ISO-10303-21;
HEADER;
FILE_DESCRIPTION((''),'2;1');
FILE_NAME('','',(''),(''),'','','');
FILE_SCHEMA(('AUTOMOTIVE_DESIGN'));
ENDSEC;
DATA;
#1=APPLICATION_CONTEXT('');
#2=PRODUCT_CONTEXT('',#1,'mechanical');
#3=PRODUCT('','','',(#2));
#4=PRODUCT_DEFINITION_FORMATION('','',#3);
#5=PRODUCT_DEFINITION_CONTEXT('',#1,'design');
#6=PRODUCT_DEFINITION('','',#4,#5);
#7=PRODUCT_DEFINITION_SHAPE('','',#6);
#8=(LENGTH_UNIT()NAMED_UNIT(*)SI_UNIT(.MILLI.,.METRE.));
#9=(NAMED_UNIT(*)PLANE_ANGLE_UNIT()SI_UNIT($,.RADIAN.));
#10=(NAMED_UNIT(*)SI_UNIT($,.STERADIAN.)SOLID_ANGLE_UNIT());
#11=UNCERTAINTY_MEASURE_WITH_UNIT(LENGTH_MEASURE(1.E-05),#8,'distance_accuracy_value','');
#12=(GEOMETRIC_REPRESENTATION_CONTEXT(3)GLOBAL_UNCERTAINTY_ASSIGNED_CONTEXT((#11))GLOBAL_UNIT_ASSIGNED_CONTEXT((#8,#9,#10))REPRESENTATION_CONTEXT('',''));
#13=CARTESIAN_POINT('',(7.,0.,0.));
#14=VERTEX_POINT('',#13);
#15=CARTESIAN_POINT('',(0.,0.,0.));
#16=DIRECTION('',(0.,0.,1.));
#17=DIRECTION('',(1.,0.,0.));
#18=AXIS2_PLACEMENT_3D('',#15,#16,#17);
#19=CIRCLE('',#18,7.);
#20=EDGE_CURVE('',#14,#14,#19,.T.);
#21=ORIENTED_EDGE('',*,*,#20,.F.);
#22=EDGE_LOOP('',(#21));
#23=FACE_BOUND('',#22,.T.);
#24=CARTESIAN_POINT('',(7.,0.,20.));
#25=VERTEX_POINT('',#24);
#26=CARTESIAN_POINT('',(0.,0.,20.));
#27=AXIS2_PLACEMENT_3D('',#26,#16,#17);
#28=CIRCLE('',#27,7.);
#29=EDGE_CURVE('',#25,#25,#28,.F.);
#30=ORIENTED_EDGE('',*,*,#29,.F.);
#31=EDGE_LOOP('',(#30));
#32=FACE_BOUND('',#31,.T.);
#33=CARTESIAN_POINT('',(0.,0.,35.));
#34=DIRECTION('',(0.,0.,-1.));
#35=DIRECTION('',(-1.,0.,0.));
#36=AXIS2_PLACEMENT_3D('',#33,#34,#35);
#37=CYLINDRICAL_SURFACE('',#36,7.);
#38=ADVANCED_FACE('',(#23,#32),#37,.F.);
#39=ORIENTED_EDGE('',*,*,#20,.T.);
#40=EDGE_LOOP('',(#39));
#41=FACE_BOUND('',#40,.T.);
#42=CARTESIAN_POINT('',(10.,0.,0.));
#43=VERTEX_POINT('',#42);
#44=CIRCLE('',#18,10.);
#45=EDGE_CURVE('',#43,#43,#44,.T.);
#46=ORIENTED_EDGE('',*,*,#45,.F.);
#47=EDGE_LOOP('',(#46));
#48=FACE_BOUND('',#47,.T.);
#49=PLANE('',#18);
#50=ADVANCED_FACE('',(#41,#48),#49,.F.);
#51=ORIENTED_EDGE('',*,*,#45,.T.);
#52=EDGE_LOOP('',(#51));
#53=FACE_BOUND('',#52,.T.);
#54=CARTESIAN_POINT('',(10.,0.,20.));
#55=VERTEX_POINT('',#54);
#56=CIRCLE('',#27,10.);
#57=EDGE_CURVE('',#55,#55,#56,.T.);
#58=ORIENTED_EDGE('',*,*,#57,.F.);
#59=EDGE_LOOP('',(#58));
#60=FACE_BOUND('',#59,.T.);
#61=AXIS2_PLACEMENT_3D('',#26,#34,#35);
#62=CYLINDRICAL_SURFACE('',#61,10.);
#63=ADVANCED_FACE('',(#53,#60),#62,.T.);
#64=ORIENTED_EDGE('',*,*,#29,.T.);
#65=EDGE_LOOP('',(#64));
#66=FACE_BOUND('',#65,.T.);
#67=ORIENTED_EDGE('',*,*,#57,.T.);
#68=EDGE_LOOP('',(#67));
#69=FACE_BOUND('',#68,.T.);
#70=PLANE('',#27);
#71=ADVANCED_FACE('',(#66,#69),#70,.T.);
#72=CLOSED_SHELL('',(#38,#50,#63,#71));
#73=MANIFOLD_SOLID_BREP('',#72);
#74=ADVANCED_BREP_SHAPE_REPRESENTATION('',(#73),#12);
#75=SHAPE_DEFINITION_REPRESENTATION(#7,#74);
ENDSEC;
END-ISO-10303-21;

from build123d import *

# Parameters (mm, degrees)
SKETCH1_R           = 10
BOSS_EXTRUDE1_DEPTH = 20
SKETCH2_R           = 7
CUT_EXTRUDE1_DEPTH  = 35


with BuildPart() as part:
    # Sketch1 → Boss-Extrude1 (new body)
    with BuildSketch(Plane.XY):
        Circle(SKETCH1_R)
    extrude(amount=BOSS_EXTRUDE1_DEPTH)

    # Sketch2 → Cut-Extrude1 (cut)
    with BuildSketch(Plane.XY):
        Circle(SKETCH2_R)
    extrude(amount=CUT_EXTRUDE1_DEPTH, mode=Mode.SUBTRACT)


solid = part.part
